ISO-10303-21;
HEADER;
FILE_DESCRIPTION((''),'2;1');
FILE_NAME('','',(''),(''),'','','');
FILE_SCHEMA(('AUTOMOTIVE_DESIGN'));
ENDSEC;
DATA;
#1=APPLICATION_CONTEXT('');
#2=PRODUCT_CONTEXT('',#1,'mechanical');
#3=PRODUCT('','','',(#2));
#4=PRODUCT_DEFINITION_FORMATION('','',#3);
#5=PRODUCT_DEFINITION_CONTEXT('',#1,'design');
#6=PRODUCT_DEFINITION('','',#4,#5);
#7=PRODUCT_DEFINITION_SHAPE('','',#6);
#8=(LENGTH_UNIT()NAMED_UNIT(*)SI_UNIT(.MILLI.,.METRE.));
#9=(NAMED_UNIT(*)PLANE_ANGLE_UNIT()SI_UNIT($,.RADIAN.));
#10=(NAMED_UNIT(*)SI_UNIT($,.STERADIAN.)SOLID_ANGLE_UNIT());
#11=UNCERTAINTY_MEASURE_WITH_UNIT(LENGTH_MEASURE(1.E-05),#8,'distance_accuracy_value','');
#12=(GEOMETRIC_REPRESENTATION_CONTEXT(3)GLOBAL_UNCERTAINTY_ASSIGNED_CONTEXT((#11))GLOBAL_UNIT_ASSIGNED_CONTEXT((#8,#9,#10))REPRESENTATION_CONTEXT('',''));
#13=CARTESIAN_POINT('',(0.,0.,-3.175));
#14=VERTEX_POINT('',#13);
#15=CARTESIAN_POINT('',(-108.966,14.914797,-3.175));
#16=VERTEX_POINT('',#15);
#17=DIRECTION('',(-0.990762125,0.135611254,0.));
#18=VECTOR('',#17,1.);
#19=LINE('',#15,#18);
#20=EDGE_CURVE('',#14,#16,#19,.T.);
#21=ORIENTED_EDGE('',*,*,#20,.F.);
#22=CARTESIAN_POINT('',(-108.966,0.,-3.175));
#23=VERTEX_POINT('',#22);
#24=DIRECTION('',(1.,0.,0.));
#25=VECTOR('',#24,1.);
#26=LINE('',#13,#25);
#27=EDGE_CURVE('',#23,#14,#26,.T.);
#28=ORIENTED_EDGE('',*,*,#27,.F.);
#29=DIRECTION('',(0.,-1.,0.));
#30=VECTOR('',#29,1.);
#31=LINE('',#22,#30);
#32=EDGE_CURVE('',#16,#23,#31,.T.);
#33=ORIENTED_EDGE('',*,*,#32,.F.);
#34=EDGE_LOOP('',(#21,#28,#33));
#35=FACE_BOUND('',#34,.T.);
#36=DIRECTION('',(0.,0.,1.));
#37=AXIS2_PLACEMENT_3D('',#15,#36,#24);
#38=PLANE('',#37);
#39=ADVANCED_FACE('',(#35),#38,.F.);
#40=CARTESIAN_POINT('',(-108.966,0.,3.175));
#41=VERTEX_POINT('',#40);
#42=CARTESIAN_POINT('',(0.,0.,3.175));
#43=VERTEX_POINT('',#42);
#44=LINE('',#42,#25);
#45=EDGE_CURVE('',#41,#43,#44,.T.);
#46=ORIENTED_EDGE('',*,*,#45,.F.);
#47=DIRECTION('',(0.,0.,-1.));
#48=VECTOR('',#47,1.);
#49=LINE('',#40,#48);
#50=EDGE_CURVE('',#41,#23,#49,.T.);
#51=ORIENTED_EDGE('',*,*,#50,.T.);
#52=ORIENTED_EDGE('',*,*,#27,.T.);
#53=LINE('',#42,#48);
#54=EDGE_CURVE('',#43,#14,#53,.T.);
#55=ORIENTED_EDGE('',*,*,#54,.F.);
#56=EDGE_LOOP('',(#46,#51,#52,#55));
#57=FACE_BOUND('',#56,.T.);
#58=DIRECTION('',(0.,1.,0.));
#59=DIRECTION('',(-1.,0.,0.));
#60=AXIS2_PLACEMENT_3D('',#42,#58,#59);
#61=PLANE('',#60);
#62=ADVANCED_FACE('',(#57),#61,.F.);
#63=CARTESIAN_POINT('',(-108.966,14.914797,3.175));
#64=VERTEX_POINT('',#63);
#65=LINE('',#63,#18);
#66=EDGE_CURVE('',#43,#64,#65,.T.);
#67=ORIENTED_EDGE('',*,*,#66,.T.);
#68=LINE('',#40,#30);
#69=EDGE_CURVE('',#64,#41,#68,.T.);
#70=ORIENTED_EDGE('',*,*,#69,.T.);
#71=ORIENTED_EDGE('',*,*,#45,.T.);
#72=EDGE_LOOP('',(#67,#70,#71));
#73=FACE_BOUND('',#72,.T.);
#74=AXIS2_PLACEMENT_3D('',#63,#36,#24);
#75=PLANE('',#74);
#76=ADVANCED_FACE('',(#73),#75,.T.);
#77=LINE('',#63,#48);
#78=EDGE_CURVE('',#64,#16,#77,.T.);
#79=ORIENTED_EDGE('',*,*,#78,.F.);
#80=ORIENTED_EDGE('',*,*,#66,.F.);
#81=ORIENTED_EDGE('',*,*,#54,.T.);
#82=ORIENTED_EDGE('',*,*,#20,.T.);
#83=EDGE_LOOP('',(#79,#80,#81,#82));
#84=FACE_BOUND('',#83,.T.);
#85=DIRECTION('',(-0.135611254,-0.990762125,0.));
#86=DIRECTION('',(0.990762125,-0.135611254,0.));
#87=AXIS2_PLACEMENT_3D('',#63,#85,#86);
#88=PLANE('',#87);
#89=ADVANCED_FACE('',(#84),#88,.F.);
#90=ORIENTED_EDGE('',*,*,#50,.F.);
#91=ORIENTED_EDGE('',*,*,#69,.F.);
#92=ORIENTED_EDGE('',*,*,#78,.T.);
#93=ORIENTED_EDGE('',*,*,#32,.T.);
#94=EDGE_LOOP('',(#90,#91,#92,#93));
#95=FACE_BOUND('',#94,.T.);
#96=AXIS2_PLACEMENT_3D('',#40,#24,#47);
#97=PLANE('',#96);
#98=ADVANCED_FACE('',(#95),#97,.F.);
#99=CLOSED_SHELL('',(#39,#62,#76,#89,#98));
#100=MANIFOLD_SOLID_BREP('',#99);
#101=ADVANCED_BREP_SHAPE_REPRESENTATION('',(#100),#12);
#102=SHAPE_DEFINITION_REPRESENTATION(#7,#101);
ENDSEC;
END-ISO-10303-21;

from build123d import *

# Parameters (mm, degrees)
BOSS_EXTRUDE1_DEPTH = 3.175


with BuildPart() as part:
    # Sketch1 → Boss-Extrude1 (new body, symmetric)
    with BuildSketch(Plane.XY):
        Polygon((0, 0), (-108.966, 0), (-108.966, 14.914796948), align=None)
    extrude(amount=BOSS_EXTRUDE1_DEPTH, both=True)


solid = part.part
